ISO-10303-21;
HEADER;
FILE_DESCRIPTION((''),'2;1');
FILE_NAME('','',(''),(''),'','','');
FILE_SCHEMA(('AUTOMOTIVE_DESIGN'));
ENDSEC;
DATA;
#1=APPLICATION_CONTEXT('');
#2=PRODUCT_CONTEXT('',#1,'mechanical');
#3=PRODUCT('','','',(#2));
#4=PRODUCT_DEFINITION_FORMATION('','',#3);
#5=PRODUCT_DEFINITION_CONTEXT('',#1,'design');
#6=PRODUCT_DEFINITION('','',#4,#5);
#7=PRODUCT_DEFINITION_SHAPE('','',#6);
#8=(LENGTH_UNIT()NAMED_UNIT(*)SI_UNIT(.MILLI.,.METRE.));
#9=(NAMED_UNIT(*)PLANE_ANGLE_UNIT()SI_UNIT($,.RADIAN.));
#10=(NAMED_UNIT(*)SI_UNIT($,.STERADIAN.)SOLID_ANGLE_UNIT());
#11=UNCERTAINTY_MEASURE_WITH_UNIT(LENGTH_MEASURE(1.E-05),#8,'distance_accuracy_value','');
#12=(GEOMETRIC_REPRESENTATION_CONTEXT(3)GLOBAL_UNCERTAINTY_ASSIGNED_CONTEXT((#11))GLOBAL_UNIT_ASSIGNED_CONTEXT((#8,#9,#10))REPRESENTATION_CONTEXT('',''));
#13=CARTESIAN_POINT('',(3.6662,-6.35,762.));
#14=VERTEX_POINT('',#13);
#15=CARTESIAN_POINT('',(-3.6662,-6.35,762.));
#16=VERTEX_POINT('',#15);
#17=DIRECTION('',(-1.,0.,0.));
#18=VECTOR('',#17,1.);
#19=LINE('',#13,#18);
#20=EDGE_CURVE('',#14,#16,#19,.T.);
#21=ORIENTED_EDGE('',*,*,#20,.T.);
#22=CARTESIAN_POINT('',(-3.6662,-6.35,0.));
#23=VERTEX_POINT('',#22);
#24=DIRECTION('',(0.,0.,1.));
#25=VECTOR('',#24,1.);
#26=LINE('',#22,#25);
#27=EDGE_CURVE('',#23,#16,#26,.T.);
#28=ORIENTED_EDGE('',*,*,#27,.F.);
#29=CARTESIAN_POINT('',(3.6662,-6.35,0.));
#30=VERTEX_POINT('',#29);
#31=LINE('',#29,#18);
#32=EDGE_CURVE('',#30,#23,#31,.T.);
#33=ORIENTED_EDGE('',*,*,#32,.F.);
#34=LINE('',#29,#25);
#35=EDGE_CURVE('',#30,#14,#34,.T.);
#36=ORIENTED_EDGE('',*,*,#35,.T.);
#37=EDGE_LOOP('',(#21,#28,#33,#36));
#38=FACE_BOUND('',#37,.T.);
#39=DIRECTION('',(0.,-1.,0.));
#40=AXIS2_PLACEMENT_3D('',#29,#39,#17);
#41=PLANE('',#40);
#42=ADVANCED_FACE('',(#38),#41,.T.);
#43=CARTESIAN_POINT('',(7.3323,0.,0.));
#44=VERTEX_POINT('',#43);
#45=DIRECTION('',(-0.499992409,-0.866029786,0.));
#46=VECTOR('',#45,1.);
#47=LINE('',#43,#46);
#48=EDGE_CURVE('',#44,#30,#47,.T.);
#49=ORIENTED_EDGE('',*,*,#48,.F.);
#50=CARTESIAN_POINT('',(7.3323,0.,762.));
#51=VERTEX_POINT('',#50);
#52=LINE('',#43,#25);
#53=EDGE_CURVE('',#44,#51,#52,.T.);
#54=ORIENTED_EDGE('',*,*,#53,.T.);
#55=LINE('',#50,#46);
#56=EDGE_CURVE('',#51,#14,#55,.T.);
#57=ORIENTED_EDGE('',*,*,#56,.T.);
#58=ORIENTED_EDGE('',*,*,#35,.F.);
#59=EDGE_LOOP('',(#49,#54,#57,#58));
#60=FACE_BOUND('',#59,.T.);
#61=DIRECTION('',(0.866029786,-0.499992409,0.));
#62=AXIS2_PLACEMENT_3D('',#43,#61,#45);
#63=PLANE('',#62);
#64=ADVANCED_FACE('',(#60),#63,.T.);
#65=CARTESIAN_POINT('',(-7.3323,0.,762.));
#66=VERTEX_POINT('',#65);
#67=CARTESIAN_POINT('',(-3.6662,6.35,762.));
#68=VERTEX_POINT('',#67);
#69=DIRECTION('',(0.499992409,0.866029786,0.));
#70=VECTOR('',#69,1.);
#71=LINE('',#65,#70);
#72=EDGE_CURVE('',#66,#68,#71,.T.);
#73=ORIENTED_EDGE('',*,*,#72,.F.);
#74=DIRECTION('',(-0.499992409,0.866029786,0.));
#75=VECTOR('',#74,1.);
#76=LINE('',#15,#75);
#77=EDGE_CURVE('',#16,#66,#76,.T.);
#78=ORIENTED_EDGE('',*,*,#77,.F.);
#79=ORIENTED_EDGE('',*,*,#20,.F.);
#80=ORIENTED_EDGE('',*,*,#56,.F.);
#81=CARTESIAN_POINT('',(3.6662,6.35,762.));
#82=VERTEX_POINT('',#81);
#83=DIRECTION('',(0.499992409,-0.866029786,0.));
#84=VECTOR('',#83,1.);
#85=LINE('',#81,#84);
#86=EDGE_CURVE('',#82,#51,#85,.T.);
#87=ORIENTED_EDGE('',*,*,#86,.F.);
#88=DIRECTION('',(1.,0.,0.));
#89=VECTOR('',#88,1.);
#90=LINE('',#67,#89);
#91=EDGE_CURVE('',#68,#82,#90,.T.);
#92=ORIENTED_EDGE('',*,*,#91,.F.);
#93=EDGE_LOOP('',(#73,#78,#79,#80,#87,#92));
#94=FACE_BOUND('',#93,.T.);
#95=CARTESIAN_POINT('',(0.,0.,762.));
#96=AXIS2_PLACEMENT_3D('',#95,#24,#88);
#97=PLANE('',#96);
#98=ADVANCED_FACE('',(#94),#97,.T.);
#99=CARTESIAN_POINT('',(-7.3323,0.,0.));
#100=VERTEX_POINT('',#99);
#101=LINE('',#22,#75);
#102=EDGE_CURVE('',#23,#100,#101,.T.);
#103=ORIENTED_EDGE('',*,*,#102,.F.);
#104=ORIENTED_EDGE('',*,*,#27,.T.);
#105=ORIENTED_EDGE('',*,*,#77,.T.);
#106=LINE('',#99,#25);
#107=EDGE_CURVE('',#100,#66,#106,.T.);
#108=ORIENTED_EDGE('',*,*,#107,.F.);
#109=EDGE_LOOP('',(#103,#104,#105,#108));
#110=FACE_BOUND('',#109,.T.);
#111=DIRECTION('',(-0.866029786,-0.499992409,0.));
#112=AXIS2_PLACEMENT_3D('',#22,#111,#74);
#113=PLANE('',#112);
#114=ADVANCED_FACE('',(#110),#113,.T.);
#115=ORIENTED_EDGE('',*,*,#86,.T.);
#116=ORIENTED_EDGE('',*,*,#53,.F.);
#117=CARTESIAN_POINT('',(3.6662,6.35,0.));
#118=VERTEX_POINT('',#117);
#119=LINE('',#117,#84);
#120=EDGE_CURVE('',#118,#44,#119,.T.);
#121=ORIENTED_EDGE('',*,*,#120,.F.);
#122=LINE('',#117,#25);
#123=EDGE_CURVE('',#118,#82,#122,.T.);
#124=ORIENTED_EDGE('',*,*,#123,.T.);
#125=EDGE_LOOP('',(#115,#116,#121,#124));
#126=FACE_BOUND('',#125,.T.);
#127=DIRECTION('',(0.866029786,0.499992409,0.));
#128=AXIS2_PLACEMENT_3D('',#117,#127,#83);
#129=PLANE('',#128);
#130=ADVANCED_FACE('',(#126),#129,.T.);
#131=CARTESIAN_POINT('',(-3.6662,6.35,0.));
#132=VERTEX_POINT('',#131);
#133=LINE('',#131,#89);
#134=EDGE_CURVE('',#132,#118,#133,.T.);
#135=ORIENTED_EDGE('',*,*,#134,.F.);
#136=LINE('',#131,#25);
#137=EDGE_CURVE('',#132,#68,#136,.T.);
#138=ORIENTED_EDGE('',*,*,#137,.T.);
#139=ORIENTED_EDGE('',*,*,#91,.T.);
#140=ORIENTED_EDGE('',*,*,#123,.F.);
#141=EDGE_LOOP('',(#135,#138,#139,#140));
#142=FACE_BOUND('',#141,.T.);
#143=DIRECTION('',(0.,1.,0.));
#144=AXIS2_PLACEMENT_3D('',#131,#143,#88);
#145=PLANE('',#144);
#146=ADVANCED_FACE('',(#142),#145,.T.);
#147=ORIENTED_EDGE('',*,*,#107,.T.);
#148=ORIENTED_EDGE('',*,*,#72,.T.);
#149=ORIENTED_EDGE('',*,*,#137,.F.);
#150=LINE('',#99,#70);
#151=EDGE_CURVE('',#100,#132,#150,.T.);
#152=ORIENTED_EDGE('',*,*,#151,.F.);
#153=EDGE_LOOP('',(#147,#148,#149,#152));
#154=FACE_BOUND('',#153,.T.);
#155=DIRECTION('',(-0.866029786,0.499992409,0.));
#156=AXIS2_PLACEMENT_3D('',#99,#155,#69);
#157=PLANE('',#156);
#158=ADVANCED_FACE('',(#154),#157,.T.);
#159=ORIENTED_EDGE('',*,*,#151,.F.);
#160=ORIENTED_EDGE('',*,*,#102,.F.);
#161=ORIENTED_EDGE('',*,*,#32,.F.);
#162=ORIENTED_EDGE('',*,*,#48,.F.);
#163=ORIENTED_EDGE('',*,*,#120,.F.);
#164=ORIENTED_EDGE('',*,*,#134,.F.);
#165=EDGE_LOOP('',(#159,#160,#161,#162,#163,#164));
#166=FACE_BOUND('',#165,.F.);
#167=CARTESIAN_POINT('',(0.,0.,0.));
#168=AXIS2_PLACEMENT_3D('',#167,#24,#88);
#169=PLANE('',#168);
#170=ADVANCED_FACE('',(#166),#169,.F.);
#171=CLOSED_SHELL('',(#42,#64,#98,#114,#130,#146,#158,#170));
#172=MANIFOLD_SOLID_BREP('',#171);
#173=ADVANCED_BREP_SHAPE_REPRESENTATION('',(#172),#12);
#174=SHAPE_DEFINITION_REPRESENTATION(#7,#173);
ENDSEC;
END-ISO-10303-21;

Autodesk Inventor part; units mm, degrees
ref_plane "YZ Plane" through (0, 0, 0) normal (1, 0, 0) x (0, 1, 0)
ref_plane "XZ Plane" through (0, 0, 0) normal (0, 1, 0) x (-1, 0, 0)
ref_plane "XY Plane" through (0, 0, 0) normal (0, 0, 1) x (1, 0, 0)
sketch "Sketch1" plane through (0, 0, 0) normal (0, 0, 1) x (1, 0, 0)
  line L0 (3.6662, 6.35) -> (7.3323, 0)
  line L1 (7.3323, 0) -> (3.6662, -6.35)
  line L2 (3.6662, -6.35) -> (-3.6662, -6.35)
  line L3 (-3.6662, -6.35) -> (-7.3323, 0)
  line L4 (-7.3323, 0) -> (-3.6662, 6.35)
  line L5 (-3.6662, 6.35) -> (3.6662, 6.35)
  point P0 (0, 0)
  point P1 (0, 0)
  dimension "d0" = 12.7
extrude "Extrusion1" add sketch "Sketch1" along normal blind 762
properties part number "hex rod 30 inch" material "Steel, Alloy"
